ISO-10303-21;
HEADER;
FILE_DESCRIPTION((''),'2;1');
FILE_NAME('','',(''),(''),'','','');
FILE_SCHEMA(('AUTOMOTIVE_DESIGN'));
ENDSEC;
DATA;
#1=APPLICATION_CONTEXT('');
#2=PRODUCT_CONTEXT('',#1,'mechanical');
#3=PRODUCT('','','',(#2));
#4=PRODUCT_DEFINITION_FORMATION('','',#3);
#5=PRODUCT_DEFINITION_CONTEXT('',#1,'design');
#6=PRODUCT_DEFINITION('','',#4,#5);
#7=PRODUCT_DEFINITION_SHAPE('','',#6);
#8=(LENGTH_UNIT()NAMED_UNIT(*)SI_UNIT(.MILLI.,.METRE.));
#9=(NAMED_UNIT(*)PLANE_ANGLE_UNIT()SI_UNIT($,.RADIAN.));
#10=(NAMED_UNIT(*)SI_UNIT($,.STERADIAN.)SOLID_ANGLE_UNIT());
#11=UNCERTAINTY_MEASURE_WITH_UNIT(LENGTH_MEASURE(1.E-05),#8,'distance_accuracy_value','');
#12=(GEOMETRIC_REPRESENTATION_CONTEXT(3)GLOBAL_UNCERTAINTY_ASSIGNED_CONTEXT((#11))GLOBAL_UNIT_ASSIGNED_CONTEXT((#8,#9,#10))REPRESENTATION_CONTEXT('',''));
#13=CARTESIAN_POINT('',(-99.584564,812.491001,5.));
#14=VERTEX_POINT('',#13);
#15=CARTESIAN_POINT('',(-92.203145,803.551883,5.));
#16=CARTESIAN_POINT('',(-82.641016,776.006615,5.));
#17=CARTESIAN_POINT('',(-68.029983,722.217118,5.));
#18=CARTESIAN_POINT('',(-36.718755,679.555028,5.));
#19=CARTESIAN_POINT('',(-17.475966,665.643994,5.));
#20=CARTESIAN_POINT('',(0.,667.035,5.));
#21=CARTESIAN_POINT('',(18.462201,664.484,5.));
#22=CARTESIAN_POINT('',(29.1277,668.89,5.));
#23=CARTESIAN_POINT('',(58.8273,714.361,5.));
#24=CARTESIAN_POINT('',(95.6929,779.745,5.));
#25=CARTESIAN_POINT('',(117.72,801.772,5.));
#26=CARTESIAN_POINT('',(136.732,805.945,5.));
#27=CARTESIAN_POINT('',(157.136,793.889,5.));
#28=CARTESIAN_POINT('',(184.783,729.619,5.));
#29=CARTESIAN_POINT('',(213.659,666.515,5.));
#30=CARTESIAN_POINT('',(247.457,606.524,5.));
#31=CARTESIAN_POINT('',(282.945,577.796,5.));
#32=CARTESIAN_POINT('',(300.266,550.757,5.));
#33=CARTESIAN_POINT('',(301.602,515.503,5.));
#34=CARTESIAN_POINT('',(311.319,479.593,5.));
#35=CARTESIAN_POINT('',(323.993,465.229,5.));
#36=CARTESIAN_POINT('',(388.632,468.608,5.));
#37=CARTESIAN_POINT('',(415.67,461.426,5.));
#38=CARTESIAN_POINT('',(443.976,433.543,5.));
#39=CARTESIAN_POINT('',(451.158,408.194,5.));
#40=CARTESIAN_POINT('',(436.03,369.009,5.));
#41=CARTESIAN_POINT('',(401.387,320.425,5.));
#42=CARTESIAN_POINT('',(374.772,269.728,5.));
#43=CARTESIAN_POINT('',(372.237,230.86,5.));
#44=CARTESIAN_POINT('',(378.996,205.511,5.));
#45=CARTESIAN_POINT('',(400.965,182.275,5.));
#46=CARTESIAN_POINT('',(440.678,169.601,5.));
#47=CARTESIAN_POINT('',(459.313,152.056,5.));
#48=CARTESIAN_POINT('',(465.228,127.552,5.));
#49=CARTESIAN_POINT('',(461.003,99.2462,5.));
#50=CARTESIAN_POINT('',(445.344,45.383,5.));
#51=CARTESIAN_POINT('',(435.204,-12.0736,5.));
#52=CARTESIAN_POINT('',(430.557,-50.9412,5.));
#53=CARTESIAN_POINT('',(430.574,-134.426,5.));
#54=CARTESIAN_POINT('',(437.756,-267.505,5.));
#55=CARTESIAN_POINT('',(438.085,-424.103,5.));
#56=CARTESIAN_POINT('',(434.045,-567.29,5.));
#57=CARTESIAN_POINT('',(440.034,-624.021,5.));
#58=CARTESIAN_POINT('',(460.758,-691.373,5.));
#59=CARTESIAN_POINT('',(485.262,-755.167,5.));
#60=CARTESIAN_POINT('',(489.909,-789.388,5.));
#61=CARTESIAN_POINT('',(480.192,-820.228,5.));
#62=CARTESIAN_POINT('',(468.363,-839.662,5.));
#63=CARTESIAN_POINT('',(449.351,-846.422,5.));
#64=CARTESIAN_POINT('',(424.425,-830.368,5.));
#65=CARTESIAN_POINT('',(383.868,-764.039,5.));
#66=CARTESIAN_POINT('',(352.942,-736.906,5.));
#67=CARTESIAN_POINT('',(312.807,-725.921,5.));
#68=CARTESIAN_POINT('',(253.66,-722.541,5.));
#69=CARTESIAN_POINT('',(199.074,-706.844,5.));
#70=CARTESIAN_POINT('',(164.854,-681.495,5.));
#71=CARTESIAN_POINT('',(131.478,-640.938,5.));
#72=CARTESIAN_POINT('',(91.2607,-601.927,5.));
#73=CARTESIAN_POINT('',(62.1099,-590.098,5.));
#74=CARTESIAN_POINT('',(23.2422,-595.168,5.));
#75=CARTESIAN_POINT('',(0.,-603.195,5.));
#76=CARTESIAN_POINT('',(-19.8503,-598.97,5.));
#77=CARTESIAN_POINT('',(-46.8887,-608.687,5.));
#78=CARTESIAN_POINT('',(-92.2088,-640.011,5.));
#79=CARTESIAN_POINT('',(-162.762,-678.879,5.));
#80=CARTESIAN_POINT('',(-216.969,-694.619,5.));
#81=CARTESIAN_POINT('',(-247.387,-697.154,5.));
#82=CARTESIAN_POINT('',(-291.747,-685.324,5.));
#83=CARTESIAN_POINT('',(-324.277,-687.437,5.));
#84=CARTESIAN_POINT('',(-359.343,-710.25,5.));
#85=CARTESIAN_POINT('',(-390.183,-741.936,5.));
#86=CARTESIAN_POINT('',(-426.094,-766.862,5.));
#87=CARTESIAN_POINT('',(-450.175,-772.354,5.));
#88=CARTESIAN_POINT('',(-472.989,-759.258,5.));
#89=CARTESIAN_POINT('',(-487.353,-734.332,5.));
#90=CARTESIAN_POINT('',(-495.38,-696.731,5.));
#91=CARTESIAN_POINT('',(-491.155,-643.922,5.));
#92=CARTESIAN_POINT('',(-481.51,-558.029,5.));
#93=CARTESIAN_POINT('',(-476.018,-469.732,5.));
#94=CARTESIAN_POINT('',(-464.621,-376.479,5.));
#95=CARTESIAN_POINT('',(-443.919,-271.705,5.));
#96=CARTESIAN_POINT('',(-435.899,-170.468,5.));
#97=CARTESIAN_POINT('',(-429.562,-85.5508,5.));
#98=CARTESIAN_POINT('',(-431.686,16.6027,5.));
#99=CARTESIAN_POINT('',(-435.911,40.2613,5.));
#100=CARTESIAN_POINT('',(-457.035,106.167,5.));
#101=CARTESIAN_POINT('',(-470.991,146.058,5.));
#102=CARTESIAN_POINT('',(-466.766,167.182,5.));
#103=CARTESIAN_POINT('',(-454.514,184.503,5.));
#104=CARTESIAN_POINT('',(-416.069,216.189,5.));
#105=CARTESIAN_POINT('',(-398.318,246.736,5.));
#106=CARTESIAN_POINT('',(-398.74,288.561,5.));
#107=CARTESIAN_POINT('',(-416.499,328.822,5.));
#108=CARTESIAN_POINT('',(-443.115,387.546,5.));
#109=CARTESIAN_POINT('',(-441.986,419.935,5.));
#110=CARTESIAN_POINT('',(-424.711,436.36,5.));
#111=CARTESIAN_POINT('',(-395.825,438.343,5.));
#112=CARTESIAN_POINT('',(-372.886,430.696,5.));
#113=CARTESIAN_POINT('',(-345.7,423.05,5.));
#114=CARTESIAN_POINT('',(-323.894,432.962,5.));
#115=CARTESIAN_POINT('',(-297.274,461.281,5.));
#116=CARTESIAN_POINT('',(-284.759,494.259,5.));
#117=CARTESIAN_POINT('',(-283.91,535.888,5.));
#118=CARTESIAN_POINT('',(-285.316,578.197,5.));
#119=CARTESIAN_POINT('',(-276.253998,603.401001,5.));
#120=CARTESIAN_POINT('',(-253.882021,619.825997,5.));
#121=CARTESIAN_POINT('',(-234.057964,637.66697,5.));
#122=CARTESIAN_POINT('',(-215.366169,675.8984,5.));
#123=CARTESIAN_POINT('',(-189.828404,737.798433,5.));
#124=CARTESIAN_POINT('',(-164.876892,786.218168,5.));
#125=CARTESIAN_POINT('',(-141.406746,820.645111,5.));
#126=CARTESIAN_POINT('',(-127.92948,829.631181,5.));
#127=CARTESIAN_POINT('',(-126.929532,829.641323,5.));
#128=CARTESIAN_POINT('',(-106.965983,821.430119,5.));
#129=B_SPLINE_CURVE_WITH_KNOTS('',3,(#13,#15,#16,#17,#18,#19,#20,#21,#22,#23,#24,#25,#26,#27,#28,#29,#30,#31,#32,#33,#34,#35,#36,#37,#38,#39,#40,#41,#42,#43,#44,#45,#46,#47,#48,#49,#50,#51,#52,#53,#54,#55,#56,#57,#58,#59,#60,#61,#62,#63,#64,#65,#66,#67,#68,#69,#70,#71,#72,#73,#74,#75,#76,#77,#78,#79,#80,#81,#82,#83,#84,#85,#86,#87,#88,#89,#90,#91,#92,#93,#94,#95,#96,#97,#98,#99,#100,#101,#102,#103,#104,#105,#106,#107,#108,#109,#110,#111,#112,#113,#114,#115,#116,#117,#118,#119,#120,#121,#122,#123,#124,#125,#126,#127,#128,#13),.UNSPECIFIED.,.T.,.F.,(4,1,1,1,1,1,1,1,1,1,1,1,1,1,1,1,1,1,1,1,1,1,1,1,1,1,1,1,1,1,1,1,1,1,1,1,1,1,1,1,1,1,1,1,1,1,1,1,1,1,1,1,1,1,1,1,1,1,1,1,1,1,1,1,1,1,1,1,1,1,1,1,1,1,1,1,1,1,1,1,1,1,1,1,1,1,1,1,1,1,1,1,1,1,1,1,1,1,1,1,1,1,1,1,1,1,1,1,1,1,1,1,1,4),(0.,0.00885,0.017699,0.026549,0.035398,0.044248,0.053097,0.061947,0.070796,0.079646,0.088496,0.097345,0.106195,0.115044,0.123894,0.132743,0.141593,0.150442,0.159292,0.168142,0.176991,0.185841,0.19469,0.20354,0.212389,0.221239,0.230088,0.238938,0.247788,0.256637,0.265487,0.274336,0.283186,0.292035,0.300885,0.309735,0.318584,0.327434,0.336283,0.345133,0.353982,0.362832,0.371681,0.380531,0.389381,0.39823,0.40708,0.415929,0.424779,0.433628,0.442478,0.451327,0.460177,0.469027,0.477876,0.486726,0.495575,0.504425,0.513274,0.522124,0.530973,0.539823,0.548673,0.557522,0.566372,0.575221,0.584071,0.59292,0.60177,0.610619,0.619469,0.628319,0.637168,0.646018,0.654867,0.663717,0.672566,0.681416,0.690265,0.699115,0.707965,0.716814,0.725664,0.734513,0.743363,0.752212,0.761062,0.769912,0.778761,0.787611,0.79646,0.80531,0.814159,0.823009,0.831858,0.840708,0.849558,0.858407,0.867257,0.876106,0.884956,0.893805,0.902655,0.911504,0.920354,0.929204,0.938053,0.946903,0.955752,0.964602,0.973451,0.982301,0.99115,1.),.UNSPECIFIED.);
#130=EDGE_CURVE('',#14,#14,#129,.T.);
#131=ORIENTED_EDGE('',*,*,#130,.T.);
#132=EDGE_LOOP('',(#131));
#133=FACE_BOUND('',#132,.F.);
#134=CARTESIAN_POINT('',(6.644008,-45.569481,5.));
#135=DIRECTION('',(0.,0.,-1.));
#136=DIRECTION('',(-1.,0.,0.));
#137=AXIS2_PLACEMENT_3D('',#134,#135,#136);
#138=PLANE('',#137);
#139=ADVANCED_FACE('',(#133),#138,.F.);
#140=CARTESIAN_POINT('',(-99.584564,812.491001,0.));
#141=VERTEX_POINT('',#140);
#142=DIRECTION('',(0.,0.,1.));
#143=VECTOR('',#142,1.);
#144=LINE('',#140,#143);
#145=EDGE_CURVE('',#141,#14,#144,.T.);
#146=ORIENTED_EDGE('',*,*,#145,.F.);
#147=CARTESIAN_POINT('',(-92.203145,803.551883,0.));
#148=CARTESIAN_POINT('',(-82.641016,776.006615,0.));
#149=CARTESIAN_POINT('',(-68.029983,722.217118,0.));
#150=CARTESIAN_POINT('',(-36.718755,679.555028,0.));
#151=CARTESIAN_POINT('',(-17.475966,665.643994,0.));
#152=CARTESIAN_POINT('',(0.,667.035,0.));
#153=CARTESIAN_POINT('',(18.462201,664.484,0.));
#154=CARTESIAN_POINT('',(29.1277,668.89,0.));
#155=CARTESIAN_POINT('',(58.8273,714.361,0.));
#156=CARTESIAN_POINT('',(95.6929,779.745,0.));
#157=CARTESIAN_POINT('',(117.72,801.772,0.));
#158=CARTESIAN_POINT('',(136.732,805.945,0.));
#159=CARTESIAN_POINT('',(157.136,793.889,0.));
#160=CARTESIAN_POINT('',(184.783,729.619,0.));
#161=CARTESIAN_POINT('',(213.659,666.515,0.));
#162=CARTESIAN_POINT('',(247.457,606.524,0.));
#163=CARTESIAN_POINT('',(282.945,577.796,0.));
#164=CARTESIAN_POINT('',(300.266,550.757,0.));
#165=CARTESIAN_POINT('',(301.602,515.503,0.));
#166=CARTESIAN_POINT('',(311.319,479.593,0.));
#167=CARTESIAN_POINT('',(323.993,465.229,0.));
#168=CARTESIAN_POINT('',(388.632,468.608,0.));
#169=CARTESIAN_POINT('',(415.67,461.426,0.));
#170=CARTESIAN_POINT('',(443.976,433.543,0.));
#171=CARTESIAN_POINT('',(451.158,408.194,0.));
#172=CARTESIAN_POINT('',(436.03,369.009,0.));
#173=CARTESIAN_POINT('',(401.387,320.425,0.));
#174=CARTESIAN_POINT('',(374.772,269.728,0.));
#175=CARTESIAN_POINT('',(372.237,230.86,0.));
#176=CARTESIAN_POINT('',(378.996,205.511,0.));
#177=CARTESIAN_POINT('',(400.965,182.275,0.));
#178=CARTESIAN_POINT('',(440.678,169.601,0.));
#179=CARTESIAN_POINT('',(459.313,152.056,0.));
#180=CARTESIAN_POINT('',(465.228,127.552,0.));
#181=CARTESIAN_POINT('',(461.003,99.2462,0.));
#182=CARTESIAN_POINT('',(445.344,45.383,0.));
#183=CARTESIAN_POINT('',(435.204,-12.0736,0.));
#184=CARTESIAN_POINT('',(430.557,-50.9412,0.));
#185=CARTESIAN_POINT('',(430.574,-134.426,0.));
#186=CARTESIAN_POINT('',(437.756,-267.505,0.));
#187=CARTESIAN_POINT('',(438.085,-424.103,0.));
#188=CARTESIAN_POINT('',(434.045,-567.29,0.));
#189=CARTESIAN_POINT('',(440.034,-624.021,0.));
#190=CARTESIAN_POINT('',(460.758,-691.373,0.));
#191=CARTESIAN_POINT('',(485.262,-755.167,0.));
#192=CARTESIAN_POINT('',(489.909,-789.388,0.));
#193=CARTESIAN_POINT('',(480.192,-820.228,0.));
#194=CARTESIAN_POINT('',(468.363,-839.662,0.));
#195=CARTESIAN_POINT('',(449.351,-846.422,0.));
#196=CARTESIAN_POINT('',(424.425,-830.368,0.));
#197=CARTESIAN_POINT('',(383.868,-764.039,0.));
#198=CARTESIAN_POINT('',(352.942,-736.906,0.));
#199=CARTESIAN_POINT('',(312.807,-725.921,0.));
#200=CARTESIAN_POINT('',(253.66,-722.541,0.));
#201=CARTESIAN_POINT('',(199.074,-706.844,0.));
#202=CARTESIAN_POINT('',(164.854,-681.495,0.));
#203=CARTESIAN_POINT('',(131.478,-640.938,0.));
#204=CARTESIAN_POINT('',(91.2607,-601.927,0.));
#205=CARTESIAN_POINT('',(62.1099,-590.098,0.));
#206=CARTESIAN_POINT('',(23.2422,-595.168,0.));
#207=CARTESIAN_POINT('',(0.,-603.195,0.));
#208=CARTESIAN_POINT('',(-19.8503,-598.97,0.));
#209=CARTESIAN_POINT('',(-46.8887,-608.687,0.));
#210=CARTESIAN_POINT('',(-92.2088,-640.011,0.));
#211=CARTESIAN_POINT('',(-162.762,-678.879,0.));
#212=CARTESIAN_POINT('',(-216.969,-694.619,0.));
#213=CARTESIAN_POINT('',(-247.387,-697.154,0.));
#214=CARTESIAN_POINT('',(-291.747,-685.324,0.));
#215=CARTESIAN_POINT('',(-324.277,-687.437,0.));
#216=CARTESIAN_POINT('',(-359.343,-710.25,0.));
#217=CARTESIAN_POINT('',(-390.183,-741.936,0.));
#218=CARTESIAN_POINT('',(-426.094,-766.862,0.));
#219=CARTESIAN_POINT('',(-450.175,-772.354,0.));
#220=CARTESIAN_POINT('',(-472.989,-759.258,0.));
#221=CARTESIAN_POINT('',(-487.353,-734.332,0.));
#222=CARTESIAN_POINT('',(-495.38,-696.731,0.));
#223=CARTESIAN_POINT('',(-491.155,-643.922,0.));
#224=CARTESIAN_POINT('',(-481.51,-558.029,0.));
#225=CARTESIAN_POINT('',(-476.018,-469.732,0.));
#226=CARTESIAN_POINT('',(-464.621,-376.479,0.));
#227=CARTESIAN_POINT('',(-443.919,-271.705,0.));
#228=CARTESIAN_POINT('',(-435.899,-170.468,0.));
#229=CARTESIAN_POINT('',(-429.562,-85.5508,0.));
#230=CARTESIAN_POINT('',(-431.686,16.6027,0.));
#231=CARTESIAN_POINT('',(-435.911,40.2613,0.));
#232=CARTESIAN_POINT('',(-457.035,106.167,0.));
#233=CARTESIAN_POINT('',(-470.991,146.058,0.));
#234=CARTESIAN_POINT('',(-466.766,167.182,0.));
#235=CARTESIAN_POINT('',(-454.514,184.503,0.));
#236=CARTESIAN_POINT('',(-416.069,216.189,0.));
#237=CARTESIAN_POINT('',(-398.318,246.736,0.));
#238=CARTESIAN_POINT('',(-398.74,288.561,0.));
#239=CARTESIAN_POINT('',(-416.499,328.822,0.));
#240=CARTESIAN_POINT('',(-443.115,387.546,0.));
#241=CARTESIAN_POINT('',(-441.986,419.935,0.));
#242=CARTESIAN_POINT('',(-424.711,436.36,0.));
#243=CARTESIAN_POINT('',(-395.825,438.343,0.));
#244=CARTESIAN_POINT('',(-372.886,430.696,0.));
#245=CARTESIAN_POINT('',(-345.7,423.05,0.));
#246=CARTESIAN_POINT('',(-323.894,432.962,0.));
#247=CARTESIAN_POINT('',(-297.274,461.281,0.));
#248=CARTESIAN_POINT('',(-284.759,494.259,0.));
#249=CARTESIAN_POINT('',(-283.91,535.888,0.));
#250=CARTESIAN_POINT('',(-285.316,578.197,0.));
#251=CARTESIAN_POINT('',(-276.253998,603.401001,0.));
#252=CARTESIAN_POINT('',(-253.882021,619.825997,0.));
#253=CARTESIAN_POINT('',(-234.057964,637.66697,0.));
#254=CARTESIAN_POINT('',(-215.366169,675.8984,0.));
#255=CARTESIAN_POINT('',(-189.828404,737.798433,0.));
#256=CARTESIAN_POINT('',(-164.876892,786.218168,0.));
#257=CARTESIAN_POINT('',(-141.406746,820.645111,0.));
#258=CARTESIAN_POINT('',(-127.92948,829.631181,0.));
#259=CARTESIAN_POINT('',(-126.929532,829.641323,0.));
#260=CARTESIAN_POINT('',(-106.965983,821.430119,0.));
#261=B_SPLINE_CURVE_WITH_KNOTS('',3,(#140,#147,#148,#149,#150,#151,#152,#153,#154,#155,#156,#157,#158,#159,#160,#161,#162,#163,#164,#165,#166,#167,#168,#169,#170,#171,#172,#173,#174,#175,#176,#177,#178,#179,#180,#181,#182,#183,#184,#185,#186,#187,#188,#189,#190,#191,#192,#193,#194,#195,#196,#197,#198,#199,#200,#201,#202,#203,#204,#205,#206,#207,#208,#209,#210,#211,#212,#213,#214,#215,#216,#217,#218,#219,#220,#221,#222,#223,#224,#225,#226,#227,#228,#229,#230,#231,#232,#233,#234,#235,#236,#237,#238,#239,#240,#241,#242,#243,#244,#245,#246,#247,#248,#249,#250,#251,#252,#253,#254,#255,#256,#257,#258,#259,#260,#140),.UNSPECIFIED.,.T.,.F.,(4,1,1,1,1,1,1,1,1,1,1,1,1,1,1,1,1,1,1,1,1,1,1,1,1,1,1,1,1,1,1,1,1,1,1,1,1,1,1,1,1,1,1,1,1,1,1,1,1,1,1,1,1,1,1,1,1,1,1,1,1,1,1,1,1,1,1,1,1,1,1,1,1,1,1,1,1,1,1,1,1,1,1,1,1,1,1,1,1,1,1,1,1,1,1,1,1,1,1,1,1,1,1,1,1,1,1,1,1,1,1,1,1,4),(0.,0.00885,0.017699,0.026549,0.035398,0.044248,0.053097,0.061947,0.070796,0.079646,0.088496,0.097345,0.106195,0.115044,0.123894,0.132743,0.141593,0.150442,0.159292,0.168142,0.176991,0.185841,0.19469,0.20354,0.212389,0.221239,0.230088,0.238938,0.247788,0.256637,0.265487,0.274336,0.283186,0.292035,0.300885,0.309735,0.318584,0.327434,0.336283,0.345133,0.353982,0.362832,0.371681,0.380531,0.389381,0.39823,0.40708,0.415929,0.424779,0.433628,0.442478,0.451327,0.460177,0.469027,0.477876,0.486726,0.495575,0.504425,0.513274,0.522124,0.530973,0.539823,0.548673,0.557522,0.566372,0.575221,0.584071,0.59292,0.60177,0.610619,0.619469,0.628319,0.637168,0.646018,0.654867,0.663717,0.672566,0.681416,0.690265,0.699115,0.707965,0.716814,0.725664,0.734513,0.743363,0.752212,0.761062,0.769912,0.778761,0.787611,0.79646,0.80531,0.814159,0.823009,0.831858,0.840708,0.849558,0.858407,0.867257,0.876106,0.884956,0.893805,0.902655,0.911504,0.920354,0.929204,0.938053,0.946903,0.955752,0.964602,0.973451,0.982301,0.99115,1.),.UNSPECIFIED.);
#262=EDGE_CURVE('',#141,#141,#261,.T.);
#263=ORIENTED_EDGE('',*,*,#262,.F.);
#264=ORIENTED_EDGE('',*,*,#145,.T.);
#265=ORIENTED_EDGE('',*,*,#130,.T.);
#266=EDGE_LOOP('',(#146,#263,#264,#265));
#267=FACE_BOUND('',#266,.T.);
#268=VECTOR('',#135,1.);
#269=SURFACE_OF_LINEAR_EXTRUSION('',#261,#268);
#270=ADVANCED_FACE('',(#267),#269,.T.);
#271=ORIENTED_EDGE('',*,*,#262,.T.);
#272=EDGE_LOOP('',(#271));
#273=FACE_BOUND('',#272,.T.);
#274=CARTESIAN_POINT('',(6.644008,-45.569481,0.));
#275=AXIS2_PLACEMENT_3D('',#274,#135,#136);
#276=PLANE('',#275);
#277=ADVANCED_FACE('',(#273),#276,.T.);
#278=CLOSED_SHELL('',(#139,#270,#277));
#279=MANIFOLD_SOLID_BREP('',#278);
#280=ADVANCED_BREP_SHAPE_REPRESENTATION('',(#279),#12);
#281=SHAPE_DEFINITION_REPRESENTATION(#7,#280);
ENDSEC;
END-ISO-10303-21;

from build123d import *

# Parameters (mm, degrees)
EXTRUDE_DEPTH = 5


with BuildPart() as part:
    # Sketch → Extrude (new body)
    with BuildSketch(Plane.XY):
        with BuildLine():
            add(Edge.make_bspline(
                [(-99.584564, 812.491001), (-92.203145, 803.551883), (-82.641016, 776.006615), (-68.029983, 722.217118), (-36.718755, 679.555028), (-17.475966, 665.643994), (0, 667.035), (18.462201, 664.484), (29.1277, 668.89), (58.8273, 714.361), (95.6929, 779.745), (117.72, 801.772), (136.732, 805.945), (157.136, 793.889), (184.783, 729.619), (213.659, 666.515), (247.457, 606.524), (282.945, 577.796), (300.266, 550.757), (301.602, 515.503), (311.319, 479.593), (323.993, 465.229), (388.632, 468.608), (415.67, 461.426), (443.976, 433.543), (451.158, 408.194), (436.03, 369.009), (401.387, 320.425), (374.772, 269.728), (372.237, 230.86), (378.996, 205.511), (400.965, 182.275), (440.678, 169.601), (459.313, 152.056), (465.228, 127.552), (461.003, 99.2462), (445.344, 45.383), (435.204, -12.0736), (430.557, -50.9412), (430.574, -134.426), (437.756, -267.505), (438.085, -424.103), (434.045, -567.29), (440.034, -624.021), (460.758, -691.373), (485.262, -755.167), (489.909, -789.388), (480.192, -820.228), (468.363, -839.662), (449.351, -846.422), (424.425, -830.368), (383.868, -764.039), (352.942, -736.906), (312.807, -725.921), (253.66, -722.541), (199.074, -706.844), (164.854, -681.495), (131.478, -640.938), (91.2607, -601.927), (62.1099, -590.098), (23.2422, -595.168), (0, -603.195), (-19.8503, -598.97), (-46.8887, -608.687), (-92.2088, -640.011), (-162.762, -678.879), (-216.969, -694.619), (-247.387, -697.154), (-291.747, -685.324), (-324.277, -687.437), (-359.343, -710.25), (-390.183, -741.936), (-426.094, -766.862), (-450.175, -772.354), (-472.989, -759.258), (-487.353, -734.332), (-495.38, -696.731), (-491.155, -643.922), (-481.51, -558.029), (-476.018, -469.732), (-464.621, -376.479), (-443.919, -271.705), (-435.899, -170.468), (-429.562, -85.5508), (-431.686, 16.6027), (-435.911, 40.2613), (-457.035, 106.167), (-470.991, 146.058), (-466.766, 167.182), (-454.514, 184.503), (-416.069, 216.189), (-398.318, 246.736), (-398.74, 288.561), (-416.499, 328.822), (-443.115, 387.546), (-441.986, 419.935), (-424.711, 436.36), (-395.825, 438.343), (-372.886, 430.696), (-345.7, 423.05), (-323.894, 432.962), (-297.274, 461.281), (-284.759, 494.259), (-283.91, 535.888), (-285.316, 578.197), (-276.253998, 603.401001), (-253.882021, 619.825997), (-234.057964, 637.66697), (-215.366169, 675.8984), (-189.828404, 737.798433), (-164.876892, 786.218168), (-141.406746, 820.645111), (-127.92948, 829.631181), (-126.929532, 829.641323), (-106.965983, 821.430119), (-99.584564, 812.491001)],
                knots=[0, 0, 0, 0, 0.00885, 0.017699, 0.026549, 0.035398, 0.044248, 0.053097, 0.061947, 0.070796, 0.079646, 0.088496, 0.097345, 0.106195, 0.115044, 0.123894, 0.132743, 0.141593, 0.150442, 0.159292, 0.168142, 0.176991, 0.185841, 0.19469, 0.20354, 0.212389, 0.221239, 0.230088, 0.238938, 0.247788, 0.256637, 0.265487, 0.274336, 0.283186, 0.292035, 0.300885, 0.309735, 0.318584, 0.327434, 0.336283, 0.345133, 0.353982, 0.362832, 0.371681, 0.380531, 0.389381, 0.39823, 0.40708, 0.415929, 0.424779, 0.433628, 0.442478, 0.451327, 0.460177, 0.469027, 0.477876, 0.486726, 0.495575, 0.504425, 0.513274, 0.522124, 0.530973, 0.539823, 0.548673, 0.557522, 0.566372, 0.575221, 0.584071, 0.59292, 0.60177, 0.610619, 0.619469, 0.628319, 0.637168, 0.646018, 0.654867, 0.663717, 0.672566, 0.681416, 0.690265, 0.699115, 0.707965, 0.716814, 0.725664, 0.734513, 0.743363, 0.752212, 0.761062, 0.769912, 0.778761, 0.787611, 0.79646, 0.80531, 0.814159, 0.823009, 0.831858, 0.840708, 0.849558, 0.858407, 0.867257, 0.876106, 0.884956, 0.893805, 0.902655, 0.911504, 0.920354, 0.929204, 0.938053, 0.946903, 0.955752, 0.964602, 0.973451, 0.982301, 0.99115, 1, 1, 1, 1], degree=3))
        make_face()
    extrude(amount=EXTRUDE_DEPTH)


solid = part.part
